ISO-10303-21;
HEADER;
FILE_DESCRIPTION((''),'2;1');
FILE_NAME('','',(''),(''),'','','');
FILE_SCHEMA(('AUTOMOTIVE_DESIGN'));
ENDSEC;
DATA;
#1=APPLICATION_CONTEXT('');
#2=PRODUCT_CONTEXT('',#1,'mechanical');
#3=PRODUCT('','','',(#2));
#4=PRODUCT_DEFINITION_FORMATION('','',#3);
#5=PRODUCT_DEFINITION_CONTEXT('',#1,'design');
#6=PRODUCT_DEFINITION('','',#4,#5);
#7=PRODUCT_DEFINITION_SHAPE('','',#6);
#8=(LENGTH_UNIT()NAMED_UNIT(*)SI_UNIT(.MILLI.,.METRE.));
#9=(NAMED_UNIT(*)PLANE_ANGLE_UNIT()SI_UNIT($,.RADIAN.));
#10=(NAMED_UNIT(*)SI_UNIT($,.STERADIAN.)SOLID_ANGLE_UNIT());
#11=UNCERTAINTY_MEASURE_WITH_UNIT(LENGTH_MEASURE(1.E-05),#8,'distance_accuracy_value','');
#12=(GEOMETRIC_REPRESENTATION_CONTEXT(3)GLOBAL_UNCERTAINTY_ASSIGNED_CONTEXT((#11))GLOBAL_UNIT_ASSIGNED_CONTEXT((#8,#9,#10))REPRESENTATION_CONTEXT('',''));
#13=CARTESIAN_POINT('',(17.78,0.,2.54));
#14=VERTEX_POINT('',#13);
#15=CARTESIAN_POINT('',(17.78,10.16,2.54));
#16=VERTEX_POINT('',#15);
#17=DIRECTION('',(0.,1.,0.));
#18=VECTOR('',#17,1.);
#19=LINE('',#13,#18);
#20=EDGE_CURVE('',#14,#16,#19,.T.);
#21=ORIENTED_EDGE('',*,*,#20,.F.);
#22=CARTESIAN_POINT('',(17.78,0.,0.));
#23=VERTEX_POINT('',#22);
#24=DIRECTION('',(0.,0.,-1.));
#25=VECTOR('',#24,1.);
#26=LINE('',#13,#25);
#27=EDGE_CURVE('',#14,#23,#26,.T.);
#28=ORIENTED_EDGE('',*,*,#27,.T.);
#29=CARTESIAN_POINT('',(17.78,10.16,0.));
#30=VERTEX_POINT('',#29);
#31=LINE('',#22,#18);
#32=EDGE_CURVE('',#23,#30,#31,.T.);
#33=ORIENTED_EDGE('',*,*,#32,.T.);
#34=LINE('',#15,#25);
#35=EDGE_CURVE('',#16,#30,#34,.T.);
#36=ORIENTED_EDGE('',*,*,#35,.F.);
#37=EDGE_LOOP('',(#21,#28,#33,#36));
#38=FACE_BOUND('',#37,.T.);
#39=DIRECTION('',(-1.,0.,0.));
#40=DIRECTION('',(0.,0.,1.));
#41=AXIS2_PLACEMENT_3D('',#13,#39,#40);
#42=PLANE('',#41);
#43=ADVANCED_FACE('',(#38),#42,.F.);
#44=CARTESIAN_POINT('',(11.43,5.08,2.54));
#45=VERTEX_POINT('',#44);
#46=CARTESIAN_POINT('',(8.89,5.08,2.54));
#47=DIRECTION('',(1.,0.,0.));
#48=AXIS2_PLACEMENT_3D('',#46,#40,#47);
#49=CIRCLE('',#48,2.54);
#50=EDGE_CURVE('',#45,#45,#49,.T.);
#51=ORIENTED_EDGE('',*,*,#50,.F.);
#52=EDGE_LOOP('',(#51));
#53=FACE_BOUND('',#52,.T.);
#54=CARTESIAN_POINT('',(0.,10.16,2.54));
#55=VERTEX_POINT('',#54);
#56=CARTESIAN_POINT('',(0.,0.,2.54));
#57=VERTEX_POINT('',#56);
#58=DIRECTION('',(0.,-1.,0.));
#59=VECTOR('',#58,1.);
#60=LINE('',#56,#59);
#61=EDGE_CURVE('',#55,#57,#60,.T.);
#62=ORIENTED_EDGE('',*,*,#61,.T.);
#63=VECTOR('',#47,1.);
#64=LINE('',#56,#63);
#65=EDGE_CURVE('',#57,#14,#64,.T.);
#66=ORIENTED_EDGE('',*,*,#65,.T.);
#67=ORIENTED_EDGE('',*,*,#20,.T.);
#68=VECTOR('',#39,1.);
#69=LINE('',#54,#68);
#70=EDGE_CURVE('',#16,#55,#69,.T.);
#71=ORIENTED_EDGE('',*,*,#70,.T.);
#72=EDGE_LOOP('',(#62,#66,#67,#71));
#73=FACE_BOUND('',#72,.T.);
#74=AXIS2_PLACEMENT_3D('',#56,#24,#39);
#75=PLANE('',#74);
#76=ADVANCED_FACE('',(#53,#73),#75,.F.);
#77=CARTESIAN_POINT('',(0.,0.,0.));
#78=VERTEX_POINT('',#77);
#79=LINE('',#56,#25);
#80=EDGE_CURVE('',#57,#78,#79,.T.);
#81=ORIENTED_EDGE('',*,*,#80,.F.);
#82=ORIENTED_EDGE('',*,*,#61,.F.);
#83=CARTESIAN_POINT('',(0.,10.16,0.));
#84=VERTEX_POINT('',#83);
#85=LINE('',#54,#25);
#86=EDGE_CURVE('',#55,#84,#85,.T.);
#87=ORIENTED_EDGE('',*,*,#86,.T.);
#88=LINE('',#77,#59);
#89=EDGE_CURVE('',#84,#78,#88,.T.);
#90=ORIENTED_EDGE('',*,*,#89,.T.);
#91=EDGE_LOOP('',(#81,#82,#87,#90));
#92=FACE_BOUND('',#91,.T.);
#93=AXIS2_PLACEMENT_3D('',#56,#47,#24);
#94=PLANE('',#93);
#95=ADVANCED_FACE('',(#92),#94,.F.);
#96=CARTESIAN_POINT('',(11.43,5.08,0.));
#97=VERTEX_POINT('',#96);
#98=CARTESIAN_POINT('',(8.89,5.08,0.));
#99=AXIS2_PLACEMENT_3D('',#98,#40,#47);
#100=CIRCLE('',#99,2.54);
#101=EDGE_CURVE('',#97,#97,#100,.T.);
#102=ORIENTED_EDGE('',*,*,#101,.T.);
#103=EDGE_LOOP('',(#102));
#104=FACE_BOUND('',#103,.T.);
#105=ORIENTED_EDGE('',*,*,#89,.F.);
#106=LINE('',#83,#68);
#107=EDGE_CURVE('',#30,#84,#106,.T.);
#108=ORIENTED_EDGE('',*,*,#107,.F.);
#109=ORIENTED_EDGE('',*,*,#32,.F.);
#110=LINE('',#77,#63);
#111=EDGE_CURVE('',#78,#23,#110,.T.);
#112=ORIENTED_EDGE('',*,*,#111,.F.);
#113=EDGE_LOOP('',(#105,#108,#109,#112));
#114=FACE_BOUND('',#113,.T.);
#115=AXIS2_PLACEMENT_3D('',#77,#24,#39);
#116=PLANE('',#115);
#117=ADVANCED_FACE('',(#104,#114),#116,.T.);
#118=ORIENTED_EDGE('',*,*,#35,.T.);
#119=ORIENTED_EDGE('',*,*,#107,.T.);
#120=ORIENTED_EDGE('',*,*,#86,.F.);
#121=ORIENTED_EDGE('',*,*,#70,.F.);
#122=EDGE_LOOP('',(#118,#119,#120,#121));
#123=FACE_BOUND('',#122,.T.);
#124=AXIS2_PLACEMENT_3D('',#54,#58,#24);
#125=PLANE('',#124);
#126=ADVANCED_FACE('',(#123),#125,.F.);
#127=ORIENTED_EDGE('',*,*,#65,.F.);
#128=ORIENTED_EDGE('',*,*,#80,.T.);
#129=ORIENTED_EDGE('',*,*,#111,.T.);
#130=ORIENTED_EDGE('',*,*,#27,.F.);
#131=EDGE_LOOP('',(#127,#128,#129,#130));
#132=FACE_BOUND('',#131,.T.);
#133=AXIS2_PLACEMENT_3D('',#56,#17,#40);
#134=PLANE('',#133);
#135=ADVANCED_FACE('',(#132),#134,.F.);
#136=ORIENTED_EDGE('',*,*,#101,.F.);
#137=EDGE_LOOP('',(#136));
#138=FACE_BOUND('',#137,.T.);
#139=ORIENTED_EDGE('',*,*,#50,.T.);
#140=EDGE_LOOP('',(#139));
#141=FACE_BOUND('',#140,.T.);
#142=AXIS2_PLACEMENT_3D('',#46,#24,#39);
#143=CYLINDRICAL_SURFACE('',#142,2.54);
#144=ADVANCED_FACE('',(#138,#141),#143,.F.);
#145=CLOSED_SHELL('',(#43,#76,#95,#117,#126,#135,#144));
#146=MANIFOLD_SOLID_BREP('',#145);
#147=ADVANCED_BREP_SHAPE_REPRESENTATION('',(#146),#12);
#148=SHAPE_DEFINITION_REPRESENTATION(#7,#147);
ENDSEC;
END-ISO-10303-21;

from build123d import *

# Parameters (mm, degrees)
SKETCH1_W           = 17.78
SKETCH1_H           = 10.16
SKETCH1_R           = 2.54
BOSS_EXTRUDE1_DEPTH = 2.54


with BuildPart() as part:
    # Sketch1 → Boss-Extrude1 (new body)
    with BuildSketch(Plane.XY):
        with Locations((8.89, 5.08)):
            Rectangle(SKETCH1_W, SKETCH1_H)
        with Locations((8.89, 5.08)):
            Circle(SKETCH1_R, mode=Mode.SUBTRACT)
    extrude(amount=BOSS_EXTRUDE1_DEPTH)


solid = part.part
